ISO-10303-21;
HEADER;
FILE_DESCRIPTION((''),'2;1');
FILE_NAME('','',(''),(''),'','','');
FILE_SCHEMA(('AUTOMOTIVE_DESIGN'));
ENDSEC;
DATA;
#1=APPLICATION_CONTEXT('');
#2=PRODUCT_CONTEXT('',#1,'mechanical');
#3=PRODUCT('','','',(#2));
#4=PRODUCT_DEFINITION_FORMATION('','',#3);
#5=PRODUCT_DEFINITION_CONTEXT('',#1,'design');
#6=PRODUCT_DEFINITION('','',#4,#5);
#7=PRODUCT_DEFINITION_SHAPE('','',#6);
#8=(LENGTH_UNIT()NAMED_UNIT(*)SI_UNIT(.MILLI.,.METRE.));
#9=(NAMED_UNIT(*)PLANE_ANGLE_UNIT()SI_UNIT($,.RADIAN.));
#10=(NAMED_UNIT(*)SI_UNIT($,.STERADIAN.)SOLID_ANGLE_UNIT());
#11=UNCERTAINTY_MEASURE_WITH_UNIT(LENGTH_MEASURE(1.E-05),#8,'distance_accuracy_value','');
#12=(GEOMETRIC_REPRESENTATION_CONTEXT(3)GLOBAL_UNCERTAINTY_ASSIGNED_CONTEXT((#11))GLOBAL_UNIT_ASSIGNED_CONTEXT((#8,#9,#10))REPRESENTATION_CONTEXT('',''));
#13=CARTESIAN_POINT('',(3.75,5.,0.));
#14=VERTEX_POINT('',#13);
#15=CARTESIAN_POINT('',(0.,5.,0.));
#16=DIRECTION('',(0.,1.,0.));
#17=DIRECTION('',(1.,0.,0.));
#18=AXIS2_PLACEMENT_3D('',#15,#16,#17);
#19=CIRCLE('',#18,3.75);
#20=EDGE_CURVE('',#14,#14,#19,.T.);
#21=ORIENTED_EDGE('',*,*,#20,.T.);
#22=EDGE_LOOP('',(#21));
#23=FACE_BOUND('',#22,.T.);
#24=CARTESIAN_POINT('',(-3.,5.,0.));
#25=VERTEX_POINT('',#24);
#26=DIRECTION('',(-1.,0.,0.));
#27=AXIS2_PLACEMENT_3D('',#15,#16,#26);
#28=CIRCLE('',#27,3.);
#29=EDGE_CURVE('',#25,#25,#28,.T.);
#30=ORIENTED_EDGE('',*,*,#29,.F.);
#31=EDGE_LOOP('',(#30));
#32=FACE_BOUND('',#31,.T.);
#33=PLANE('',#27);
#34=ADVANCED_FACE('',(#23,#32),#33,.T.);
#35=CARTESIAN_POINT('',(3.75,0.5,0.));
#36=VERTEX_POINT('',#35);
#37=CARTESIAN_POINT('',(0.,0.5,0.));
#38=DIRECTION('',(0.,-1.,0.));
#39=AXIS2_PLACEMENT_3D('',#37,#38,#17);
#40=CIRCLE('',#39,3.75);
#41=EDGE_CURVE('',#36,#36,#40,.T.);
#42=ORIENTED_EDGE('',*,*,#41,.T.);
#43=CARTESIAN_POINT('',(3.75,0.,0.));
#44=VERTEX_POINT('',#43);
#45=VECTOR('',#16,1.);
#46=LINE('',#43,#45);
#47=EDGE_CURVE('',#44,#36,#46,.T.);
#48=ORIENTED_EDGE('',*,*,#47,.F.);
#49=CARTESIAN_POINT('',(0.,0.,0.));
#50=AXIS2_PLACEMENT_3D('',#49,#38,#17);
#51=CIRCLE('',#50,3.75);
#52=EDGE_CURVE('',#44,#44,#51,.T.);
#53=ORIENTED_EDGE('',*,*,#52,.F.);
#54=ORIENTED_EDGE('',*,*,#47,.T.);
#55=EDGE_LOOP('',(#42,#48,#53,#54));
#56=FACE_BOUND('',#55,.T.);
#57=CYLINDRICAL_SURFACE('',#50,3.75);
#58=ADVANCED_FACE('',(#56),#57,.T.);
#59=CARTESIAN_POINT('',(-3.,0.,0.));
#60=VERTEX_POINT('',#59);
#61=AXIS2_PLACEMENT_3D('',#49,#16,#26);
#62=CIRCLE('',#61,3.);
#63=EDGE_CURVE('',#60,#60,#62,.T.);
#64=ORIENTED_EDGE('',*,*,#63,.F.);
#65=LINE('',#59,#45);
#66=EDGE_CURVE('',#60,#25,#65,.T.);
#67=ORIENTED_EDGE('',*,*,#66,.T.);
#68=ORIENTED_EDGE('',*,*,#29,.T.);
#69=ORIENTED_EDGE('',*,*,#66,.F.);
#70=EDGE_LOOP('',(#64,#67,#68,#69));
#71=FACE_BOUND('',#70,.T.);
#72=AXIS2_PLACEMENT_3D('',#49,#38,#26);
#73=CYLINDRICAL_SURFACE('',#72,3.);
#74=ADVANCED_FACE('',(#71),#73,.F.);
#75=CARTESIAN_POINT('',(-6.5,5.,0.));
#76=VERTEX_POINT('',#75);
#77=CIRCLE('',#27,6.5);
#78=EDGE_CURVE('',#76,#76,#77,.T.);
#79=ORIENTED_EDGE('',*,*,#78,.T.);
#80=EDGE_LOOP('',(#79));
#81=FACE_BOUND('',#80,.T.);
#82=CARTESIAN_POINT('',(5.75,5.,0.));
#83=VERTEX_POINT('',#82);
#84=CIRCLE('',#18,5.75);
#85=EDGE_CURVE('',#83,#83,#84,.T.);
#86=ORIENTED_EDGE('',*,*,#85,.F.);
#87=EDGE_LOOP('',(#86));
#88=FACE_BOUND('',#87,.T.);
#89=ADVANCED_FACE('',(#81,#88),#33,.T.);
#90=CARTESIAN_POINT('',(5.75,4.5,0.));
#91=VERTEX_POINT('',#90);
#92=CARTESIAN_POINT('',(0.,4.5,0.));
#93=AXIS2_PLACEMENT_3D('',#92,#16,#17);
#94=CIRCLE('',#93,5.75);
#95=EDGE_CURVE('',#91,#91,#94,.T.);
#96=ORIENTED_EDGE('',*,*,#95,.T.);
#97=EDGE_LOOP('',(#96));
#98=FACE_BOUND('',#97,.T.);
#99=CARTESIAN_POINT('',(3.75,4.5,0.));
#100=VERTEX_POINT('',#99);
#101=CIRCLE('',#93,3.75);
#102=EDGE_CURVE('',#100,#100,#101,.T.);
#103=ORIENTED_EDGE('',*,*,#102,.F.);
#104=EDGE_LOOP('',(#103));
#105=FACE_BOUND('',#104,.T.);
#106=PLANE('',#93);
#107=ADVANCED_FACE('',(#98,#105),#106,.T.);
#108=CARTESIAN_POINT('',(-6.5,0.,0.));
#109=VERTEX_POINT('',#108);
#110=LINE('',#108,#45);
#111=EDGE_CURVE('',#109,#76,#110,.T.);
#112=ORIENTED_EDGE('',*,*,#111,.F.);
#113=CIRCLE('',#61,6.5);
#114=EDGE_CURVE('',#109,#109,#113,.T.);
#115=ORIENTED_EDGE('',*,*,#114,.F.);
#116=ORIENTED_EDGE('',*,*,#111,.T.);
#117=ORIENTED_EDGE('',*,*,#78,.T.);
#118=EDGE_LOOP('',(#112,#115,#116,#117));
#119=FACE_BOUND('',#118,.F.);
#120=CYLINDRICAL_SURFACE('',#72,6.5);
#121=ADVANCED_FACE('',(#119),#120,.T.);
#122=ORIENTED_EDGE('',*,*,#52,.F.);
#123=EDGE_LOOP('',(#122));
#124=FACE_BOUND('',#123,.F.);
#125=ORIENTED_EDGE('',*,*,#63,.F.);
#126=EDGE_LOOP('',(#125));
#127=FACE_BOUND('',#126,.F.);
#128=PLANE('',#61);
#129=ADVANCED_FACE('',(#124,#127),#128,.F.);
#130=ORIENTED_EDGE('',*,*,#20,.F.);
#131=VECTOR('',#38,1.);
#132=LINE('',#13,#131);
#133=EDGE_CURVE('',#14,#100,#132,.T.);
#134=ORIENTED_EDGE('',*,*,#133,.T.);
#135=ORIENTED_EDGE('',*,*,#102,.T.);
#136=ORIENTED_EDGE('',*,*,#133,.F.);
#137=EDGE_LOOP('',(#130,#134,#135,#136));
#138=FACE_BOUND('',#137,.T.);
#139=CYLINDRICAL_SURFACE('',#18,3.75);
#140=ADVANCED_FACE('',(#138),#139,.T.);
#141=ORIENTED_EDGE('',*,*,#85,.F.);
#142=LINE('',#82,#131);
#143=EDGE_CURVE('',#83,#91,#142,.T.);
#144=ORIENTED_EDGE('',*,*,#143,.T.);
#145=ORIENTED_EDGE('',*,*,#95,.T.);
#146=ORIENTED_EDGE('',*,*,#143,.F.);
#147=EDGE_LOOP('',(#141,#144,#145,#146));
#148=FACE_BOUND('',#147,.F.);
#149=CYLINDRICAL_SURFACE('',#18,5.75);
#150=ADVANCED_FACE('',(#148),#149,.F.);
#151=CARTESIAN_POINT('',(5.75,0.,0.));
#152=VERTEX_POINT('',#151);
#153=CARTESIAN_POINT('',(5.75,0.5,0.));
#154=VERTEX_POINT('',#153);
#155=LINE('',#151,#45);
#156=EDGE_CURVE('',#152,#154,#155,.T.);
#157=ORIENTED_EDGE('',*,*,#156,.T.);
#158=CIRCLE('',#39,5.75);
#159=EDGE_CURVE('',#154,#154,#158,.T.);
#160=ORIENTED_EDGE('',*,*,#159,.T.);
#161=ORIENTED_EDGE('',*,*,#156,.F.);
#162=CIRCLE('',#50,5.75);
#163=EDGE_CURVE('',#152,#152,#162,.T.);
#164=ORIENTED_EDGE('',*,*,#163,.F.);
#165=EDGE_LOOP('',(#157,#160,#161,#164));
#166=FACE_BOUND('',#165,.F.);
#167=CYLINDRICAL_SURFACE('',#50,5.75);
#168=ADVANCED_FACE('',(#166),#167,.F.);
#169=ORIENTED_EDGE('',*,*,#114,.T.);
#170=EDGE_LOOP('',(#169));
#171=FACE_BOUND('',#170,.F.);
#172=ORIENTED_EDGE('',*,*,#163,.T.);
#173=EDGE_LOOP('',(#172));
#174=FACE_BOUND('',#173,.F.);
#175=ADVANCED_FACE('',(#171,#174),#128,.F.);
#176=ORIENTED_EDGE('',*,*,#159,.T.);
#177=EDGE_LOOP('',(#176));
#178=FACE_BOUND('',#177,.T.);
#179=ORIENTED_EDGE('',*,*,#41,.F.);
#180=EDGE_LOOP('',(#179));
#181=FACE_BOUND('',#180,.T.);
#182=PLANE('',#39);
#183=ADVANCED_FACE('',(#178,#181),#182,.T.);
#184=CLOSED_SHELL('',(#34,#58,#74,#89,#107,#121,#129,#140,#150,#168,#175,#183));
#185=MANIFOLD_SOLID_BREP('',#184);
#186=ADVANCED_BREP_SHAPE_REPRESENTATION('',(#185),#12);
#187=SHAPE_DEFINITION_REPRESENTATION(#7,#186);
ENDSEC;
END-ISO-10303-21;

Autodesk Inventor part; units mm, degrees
ref_plane "YZ Plane" through (0, 0, 0) normal (1, 0, 0) x (0, 1, 0)
ref_plane "XZ Plane" through (0, 0, 0) normal (0, 1, 0) x (-1, 0, 0)
ref_plane "XY Plane" through (0, 0, 0) normal (0, 0, 1) x (1, 0, 0)
sketch "草图1" plane through (0, 0, 0) normal (0, 1, 0) x (-1, 0, 0)
  circle A0 centre (0, 0) radius 6.5
  circle A1 centre (0, 0) radius 3
  dimension "d0" = 13
  dimension "d1" = 6
extrude "拉伸1" add sketch "草图1" along normal blind 5
sketch "草图2" plane through (0, 5, 0) normal (0, 1, 0) x (1, 0, 0)
  circle A0 centre (0, 0) radius 3 projected
  circle A1 centre (0, 0) radius 6.5 projected
  circle A2 centre (0, 0) radius 3.75
  circle A3 centre (0, 0) radius 5.75
  dimension "d4" = 11.5
  dimension "d5" = 7.5
extrude "拉伸2" cut sketch "草图2" against normal blind 0.5 contours A3
sketch "草图3" plane through (0, 0, 0) normal (0, -1, 0) x (1, 0, 0)
  circle A0 centre (0, 0) radius 3.75 projected
  circle A1 centre (0, 0) radius 5.75 projected
extrude "拉伸3" cut sketch "草图3" against normal blind 0.5
properties part number "bearing_6_13_5"
